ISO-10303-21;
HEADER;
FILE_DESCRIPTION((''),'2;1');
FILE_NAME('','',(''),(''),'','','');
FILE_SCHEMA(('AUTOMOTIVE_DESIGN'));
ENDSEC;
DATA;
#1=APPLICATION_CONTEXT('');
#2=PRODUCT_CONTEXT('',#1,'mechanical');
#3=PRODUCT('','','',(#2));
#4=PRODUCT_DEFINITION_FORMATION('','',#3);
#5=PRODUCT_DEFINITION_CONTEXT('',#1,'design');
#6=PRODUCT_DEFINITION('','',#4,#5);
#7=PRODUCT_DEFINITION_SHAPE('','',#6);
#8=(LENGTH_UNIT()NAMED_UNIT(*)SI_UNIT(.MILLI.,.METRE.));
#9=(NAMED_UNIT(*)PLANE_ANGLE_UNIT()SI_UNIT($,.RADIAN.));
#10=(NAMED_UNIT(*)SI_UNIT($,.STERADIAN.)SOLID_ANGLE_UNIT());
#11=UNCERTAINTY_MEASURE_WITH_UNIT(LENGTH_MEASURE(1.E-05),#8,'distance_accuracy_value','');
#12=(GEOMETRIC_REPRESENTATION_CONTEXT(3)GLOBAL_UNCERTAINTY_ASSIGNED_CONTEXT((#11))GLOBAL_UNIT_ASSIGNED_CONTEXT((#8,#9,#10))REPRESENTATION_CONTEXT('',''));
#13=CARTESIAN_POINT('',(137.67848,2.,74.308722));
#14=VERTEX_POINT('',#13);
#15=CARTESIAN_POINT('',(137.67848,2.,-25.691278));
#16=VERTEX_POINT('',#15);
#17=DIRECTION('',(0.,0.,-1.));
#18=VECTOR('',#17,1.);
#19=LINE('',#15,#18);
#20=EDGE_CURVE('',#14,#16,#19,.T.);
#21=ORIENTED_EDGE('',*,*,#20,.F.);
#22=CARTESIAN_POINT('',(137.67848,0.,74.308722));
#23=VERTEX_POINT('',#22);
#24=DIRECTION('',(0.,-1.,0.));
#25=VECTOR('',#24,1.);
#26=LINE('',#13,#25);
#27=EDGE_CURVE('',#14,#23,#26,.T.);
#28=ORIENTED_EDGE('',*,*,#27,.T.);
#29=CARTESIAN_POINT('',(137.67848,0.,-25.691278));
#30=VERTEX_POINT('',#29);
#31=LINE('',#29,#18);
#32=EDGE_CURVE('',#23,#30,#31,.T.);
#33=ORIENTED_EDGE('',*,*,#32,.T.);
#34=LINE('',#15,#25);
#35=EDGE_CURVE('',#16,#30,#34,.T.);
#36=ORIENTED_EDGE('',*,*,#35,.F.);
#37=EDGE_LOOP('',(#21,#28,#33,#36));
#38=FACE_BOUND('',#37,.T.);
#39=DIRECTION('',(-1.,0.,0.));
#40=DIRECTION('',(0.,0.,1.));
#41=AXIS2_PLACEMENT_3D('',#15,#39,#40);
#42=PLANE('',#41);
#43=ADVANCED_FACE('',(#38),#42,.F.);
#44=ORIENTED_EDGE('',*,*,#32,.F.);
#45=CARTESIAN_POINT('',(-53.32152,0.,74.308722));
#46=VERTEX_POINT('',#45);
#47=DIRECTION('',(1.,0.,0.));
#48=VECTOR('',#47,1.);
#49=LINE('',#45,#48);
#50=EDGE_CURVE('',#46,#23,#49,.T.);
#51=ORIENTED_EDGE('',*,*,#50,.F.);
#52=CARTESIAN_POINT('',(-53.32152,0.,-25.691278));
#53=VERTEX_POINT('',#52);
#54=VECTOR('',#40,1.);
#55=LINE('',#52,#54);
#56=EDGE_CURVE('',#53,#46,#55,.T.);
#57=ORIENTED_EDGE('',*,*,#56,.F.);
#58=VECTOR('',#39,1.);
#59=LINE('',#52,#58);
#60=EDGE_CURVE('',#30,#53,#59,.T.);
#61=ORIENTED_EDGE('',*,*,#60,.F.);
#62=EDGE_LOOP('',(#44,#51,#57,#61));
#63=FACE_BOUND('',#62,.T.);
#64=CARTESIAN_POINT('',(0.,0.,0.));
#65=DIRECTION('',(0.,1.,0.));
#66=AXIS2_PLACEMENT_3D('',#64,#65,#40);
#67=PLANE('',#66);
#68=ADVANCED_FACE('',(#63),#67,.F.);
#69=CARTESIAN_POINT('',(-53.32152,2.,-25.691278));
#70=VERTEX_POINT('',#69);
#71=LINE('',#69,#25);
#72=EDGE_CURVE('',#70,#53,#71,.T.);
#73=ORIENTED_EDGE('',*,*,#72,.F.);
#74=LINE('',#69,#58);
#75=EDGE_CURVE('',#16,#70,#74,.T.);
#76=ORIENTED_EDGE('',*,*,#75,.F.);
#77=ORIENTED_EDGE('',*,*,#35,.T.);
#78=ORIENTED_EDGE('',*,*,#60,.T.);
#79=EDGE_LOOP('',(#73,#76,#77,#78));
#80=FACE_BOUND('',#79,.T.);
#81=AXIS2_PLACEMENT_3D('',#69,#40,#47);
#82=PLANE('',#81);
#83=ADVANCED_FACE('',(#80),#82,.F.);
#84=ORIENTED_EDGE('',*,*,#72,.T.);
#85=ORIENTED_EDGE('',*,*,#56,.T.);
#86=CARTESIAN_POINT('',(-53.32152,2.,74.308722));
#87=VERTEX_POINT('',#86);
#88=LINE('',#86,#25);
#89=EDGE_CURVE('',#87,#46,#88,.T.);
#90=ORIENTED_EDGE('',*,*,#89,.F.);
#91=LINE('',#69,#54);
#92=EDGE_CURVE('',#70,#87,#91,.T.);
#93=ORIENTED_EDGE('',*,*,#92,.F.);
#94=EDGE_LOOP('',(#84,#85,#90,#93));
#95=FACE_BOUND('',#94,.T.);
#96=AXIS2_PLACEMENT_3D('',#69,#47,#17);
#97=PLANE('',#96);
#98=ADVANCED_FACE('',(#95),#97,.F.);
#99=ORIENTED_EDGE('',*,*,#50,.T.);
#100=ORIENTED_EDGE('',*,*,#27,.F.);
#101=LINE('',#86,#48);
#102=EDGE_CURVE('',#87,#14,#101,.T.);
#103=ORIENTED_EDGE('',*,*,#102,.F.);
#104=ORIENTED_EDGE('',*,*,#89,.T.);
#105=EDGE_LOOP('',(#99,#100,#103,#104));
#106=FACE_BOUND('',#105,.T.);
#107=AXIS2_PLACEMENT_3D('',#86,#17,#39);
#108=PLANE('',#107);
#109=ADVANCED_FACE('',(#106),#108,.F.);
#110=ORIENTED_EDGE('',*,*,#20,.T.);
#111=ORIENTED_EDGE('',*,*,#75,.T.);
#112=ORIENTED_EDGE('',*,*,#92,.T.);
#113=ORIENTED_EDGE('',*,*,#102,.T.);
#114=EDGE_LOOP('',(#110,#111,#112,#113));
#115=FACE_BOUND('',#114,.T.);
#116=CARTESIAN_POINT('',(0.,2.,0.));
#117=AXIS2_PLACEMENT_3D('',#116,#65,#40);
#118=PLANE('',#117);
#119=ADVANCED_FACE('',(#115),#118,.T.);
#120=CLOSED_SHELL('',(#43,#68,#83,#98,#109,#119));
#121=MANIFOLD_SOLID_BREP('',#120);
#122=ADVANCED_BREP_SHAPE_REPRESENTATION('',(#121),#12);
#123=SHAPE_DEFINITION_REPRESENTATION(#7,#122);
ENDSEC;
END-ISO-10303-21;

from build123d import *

# Parameters (mm, degrees)
SKETCH_1_W      = 191
SKETCH_1_H      = 100
EXTRUDE_1_DEPTH = 2


with BuildPart() as part:
    # 草图1 → 凸台-拉伸1 (new body)
    with BuildSketch(Plane(origin=(0, 0, 0), x_dir=(1, 0, 0), z_dir=(0, 1, 0))):
        with Locations((42.178480077, -24.308722219)):
            Rectangle(SKETCH_1_W, SKETCH_1_H)
    extrude(amount=EXTRUDE_1_DEPTH)


solid = part.part
